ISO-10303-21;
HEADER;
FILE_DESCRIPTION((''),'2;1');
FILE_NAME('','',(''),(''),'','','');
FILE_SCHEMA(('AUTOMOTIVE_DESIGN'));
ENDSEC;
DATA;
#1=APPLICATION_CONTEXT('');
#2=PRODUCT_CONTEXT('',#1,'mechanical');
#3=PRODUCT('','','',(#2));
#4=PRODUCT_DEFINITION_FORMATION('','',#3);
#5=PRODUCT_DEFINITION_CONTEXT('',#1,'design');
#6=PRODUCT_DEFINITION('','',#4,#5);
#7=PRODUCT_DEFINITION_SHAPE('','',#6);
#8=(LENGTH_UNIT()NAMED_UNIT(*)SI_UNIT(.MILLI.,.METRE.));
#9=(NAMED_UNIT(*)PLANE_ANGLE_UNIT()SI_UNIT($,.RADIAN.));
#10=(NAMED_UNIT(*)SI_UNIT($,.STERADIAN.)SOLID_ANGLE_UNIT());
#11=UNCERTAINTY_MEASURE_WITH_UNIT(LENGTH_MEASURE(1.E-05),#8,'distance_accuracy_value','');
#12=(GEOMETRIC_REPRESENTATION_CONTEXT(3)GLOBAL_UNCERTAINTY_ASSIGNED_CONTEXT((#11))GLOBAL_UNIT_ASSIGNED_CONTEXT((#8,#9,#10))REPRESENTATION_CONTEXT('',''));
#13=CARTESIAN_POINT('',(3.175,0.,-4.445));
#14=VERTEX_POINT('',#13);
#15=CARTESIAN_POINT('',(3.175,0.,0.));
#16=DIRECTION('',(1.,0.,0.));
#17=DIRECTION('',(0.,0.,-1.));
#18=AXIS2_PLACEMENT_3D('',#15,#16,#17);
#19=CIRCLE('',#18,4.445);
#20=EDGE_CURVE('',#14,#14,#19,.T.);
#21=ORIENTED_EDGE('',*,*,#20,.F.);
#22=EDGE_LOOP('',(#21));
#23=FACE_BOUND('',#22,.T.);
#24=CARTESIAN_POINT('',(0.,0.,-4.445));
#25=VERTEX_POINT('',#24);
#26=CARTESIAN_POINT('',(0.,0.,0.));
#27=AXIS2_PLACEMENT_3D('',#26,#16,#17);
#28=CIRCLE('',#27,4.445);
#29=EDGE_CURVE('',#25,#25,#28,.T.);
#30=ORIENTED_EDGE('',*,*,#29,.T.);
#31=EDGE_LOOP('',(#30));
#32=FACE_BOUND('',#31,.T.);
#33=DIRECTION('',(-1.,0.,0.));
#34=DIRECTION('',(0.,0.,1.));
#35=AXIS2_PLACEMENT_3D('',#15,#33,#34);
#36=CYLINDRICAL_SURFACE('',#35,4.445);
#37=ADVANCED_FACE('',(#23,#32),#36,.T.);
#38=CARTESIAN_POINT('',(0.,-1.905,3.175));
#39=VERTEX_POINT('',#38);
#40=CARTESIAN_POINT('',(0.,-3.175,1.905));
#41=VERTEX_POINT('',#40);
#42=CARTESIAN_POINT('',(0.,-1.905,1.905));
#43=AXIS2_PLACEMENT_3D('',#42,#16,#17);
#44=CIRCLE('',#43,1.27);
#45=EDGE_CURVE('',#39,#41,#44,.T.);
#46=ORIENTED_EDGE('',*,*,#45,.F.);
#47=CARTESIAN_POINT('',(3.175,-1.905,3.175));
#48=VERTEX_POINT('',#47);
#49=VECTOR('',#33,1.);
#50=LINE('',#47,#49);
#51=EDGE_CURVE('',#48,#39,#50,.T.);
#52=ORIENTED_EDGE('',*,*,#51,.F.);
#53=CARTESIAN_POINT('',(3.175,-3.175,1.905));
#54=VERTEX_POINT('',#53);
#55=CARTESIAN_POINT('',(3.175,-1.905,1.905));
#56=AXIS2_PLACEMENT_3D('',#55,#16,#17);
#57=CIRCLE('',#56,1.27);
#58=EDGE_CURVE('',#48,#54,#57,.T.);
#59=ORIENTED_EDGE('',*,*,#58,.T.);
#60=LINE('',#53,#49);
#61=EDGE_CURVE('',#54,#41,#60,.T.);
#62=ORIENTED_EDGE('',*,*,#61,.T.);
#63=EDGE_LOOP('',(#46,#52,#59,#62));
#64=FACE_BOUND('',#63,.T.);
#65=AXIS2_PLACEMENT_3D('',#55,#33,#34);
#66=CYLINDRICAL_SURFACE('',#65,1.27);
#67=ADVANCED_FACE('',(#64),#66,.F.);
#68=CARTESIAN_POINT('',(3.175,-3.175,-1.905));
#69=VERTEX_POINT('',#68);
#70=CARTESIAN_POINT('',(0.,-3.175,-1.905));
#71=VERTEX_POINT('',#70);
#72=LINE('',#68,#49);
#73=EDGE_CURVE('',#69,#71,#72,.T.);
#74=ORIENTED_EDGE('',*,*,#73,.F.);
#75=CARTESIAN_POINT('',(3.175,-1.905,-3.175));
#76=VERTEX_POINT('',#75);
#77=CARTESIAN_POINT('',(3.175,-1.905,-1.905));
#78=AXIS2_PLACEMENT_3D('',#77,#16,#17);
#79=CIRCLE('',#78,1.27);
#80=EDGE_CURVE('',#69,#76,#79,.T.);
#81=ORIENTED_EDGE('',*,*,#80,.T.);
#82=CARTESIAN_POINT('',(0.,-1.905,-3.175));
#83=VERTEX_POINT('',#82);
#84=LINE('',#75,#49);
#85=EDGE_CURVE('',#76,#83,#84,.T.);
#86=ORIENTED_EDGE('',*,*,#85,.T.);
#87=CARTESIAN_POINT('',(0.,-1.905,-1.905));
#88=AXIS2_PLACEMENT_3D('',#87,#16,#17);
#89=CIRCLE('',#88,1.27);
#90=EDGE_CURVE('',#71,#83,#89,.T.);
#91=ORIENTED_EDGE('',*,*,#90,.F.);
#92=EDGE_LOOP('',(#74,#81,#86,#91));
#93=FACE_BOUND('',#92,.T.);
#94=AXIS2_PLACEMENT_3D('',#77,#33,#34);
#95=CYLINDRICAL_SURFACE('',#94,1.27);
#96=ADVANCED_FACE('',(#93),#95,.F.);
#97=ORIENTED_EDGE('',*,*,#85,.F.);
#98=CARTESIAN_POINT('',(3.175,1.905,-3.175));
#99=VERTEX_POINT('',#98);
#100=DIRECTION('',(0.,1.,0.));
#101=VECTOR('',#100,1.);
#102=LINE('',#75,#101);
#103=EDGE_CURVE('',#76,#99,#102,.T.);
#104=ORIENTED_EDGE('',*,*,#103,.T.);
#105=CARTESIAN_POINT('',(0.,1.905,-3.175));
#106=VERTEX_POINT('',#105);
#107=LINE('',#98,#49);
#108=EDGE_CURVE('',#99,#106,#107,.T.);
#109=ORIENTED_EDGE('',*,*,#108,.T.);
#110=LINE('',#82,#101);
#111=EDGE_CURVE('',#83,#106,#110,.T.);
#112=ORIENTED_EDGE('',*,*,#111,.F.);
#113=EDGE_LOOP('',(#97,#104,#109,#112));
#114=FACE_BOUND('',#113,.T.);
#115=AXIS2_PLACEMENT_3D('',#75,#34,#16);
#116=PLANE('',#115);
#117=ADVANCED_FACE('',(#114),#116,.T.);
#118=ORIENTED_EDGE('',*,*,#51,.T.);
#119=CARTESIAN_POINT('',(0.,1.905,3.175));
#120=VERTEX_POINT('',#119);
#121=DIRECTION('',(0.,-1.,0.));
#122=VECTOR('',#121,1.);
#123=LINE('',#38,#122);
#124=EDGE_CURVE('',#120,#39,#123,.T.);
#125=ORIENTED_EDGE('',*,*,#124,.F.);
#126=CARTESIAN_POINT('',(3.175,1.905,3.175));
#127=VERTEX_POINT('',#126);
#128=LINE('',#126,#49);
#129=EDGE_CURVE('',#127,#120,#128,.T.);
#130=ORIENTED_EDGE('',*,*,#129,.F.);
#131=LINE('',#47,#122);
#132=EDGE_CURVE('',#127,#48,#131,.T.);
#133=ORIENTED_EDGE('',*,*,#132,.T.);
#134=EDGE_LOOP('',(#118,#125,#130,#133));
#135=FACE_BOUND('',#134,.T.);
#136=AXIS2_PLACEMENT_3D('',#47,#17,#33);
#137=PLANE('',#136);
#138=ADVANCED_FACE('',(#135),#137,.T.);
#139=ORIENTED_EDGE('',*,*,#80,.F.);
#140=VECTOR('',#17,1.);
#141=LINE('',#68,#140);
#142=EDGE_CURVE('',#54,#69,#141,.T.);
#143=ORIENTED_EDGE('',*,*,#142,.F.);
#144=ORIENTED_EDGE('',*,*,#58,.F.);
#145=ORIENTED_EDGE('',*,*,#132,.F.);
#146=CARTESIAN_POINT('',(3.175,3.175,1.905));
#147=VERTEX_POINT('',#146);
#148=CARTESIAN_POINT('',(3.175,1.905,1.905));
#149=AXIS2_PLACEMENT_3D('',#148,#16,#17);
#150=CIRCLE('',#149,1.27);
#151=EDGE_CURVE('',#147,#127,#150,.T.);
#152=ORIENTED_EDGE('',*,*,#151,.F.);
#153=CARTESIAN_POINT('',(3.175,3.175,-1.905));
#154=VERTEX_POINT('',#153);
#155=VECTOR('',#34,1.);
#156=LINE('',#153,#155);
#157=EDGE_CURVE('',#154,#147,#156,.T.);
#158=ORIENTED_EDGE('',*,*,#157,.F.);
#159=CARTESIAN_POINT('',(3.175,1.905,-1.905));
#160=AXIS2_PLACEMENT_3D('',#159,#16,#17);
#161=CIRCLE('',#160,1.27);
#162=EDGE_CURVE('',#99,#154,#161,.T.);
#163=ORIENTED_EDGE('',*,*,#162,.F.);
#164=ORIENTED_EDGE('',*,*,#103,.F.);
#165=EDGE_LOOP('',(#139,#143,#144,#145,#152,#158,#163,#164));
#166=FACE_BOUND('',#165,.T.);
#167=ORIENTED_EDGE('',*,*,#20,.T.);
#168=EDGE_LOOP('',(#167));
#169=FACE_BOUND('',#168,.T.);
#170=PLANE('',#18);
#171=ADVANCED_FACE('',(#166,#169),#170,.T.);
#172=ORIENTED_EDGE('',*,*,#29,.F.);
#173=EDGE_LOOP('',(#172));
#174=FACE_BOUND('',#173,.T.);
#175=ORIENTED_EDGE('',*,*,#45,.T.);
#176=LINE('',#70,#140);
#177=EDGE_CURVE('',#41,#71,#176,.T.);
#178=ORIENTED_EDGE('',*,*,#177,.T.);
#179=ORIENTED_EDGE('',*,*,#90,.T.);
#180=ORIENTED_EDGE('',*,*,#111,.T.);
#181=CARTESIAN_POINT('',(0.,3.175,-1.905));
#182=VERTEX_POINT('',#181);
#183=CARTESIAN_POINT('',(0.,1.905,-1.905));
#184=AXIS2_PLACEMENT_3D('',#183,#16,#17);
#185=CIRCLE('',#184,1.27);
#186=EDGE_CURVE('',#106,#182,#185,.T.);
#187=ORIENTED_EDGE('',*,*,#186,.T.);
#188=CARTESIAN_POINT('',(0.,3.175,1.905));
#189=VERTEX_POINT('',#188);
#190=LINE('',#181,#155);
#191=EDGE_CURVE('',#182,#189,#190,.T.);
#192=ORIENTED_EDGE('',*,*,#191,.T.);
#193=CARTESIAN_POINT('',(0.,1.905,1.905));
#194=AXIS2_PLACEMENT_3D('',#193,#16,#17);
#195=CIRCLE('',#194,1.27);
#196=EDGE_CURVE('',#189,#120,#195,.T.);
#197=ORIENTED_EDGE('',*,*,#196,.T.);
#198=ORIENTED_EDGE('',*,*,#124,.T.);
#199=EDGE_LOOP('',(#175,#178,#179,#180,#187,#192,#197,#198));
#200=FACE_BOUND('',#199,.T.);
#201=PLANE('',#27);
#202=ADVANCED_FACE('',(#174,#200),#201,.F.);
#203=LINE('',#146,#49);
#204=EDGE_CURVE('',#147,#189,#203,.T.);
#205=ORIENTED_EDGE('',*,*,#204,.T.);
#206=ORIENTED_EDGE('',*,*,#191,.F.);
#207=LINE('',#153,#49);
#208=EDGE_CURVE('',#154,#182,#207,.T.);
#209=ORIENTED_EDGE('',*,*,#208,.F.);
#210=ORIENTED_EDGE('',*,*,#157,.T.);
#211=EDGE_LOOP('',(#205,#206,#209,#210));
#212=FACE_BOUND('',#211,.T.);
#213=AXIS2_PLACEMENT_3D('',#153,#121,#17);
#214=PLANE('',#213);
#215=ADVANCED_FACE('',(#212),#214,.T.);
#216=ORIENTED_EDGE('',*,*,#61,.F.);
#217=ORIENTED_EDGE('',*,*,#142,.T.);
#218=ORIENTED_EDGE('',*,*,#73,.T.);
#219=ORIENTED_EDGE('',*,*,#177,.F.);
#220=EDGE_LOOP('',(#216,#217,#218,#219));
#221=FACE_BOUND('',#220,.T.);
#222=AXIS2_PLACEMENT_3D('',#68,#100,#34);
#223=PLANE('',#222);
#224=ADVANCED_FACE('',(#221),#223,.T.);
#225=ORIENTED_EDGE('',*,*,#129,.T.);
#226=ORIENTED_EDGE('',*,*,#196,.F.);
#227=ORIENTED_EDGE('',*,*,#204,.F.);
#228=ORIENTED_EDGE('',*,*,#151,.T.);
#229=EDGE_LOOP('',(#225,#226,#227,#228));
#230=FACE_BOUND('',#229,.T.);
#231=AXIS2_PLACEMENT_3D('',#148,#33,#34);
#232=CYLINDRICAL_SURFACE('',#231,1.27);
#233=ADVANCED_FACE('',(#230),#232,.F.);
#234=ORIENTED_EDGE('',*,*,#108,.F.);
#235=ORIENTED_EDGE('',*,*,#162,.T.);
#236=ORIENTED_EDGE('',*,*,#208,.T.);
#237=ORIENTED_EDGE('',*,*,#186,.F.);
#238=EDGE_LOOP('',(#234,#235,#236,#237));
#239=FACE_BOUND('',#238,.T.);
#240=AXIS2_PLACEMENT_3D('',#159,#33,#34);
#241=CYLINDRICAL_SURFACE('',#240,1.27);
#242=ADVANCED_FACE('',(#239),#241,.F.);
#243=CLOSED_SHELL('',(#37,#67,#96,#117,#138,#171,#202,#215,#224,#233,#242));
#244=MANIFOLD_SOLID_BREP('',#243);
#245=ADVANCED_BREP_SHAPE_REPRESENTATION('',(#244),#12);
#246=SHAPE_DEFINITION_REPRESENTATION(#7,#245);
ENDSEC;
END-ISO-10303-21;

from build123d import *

# Parameters (mm, degrees)
SKETCH2_R           = 4.445
BOSS_EXTRUDE1_DEPTH = 3.175


with BuildPart() as part:
    # Sketch2 → Boss-Extrude1 (new body)
    with BuildSketch(Plane(origin=(0, 0, 0), x_dir=(0, 0, -1), z_dir=(1, 0, 0))):
        Circle(SKETCH2_R)
        with BuildLine():
            Line((1.905, 3.175), (-1.905, 3.175))
            ThreePointArc((-1.905, 3.175), (-2.803025612, 2.803025612), (-3.175, 1.905))
            Line((-3.175, 1.905), (-3.175, -1.905))
            ThreePointArc((-3.175, -1.905), (-2.803025612, -2.803025612), (-1.905, -3.175))
            Line((-1.905, -3.175), (1.905, -3.175))
            ThreePointArc((1.905, -3.175), (2.803025612, -2.803025612), (3.175, -1.905))
            Line((3.175, -1.905), (3.175, 1.905))
            ThreePointArc((3.175, 1.905), (2.803025612, 2.803025612), (1.905, 3.175))
        make_face(mode=Mode.SUBTRACT)
    extrude(amount=BOSS_EXTRUDE1_DEPTH)


solid = part.part
